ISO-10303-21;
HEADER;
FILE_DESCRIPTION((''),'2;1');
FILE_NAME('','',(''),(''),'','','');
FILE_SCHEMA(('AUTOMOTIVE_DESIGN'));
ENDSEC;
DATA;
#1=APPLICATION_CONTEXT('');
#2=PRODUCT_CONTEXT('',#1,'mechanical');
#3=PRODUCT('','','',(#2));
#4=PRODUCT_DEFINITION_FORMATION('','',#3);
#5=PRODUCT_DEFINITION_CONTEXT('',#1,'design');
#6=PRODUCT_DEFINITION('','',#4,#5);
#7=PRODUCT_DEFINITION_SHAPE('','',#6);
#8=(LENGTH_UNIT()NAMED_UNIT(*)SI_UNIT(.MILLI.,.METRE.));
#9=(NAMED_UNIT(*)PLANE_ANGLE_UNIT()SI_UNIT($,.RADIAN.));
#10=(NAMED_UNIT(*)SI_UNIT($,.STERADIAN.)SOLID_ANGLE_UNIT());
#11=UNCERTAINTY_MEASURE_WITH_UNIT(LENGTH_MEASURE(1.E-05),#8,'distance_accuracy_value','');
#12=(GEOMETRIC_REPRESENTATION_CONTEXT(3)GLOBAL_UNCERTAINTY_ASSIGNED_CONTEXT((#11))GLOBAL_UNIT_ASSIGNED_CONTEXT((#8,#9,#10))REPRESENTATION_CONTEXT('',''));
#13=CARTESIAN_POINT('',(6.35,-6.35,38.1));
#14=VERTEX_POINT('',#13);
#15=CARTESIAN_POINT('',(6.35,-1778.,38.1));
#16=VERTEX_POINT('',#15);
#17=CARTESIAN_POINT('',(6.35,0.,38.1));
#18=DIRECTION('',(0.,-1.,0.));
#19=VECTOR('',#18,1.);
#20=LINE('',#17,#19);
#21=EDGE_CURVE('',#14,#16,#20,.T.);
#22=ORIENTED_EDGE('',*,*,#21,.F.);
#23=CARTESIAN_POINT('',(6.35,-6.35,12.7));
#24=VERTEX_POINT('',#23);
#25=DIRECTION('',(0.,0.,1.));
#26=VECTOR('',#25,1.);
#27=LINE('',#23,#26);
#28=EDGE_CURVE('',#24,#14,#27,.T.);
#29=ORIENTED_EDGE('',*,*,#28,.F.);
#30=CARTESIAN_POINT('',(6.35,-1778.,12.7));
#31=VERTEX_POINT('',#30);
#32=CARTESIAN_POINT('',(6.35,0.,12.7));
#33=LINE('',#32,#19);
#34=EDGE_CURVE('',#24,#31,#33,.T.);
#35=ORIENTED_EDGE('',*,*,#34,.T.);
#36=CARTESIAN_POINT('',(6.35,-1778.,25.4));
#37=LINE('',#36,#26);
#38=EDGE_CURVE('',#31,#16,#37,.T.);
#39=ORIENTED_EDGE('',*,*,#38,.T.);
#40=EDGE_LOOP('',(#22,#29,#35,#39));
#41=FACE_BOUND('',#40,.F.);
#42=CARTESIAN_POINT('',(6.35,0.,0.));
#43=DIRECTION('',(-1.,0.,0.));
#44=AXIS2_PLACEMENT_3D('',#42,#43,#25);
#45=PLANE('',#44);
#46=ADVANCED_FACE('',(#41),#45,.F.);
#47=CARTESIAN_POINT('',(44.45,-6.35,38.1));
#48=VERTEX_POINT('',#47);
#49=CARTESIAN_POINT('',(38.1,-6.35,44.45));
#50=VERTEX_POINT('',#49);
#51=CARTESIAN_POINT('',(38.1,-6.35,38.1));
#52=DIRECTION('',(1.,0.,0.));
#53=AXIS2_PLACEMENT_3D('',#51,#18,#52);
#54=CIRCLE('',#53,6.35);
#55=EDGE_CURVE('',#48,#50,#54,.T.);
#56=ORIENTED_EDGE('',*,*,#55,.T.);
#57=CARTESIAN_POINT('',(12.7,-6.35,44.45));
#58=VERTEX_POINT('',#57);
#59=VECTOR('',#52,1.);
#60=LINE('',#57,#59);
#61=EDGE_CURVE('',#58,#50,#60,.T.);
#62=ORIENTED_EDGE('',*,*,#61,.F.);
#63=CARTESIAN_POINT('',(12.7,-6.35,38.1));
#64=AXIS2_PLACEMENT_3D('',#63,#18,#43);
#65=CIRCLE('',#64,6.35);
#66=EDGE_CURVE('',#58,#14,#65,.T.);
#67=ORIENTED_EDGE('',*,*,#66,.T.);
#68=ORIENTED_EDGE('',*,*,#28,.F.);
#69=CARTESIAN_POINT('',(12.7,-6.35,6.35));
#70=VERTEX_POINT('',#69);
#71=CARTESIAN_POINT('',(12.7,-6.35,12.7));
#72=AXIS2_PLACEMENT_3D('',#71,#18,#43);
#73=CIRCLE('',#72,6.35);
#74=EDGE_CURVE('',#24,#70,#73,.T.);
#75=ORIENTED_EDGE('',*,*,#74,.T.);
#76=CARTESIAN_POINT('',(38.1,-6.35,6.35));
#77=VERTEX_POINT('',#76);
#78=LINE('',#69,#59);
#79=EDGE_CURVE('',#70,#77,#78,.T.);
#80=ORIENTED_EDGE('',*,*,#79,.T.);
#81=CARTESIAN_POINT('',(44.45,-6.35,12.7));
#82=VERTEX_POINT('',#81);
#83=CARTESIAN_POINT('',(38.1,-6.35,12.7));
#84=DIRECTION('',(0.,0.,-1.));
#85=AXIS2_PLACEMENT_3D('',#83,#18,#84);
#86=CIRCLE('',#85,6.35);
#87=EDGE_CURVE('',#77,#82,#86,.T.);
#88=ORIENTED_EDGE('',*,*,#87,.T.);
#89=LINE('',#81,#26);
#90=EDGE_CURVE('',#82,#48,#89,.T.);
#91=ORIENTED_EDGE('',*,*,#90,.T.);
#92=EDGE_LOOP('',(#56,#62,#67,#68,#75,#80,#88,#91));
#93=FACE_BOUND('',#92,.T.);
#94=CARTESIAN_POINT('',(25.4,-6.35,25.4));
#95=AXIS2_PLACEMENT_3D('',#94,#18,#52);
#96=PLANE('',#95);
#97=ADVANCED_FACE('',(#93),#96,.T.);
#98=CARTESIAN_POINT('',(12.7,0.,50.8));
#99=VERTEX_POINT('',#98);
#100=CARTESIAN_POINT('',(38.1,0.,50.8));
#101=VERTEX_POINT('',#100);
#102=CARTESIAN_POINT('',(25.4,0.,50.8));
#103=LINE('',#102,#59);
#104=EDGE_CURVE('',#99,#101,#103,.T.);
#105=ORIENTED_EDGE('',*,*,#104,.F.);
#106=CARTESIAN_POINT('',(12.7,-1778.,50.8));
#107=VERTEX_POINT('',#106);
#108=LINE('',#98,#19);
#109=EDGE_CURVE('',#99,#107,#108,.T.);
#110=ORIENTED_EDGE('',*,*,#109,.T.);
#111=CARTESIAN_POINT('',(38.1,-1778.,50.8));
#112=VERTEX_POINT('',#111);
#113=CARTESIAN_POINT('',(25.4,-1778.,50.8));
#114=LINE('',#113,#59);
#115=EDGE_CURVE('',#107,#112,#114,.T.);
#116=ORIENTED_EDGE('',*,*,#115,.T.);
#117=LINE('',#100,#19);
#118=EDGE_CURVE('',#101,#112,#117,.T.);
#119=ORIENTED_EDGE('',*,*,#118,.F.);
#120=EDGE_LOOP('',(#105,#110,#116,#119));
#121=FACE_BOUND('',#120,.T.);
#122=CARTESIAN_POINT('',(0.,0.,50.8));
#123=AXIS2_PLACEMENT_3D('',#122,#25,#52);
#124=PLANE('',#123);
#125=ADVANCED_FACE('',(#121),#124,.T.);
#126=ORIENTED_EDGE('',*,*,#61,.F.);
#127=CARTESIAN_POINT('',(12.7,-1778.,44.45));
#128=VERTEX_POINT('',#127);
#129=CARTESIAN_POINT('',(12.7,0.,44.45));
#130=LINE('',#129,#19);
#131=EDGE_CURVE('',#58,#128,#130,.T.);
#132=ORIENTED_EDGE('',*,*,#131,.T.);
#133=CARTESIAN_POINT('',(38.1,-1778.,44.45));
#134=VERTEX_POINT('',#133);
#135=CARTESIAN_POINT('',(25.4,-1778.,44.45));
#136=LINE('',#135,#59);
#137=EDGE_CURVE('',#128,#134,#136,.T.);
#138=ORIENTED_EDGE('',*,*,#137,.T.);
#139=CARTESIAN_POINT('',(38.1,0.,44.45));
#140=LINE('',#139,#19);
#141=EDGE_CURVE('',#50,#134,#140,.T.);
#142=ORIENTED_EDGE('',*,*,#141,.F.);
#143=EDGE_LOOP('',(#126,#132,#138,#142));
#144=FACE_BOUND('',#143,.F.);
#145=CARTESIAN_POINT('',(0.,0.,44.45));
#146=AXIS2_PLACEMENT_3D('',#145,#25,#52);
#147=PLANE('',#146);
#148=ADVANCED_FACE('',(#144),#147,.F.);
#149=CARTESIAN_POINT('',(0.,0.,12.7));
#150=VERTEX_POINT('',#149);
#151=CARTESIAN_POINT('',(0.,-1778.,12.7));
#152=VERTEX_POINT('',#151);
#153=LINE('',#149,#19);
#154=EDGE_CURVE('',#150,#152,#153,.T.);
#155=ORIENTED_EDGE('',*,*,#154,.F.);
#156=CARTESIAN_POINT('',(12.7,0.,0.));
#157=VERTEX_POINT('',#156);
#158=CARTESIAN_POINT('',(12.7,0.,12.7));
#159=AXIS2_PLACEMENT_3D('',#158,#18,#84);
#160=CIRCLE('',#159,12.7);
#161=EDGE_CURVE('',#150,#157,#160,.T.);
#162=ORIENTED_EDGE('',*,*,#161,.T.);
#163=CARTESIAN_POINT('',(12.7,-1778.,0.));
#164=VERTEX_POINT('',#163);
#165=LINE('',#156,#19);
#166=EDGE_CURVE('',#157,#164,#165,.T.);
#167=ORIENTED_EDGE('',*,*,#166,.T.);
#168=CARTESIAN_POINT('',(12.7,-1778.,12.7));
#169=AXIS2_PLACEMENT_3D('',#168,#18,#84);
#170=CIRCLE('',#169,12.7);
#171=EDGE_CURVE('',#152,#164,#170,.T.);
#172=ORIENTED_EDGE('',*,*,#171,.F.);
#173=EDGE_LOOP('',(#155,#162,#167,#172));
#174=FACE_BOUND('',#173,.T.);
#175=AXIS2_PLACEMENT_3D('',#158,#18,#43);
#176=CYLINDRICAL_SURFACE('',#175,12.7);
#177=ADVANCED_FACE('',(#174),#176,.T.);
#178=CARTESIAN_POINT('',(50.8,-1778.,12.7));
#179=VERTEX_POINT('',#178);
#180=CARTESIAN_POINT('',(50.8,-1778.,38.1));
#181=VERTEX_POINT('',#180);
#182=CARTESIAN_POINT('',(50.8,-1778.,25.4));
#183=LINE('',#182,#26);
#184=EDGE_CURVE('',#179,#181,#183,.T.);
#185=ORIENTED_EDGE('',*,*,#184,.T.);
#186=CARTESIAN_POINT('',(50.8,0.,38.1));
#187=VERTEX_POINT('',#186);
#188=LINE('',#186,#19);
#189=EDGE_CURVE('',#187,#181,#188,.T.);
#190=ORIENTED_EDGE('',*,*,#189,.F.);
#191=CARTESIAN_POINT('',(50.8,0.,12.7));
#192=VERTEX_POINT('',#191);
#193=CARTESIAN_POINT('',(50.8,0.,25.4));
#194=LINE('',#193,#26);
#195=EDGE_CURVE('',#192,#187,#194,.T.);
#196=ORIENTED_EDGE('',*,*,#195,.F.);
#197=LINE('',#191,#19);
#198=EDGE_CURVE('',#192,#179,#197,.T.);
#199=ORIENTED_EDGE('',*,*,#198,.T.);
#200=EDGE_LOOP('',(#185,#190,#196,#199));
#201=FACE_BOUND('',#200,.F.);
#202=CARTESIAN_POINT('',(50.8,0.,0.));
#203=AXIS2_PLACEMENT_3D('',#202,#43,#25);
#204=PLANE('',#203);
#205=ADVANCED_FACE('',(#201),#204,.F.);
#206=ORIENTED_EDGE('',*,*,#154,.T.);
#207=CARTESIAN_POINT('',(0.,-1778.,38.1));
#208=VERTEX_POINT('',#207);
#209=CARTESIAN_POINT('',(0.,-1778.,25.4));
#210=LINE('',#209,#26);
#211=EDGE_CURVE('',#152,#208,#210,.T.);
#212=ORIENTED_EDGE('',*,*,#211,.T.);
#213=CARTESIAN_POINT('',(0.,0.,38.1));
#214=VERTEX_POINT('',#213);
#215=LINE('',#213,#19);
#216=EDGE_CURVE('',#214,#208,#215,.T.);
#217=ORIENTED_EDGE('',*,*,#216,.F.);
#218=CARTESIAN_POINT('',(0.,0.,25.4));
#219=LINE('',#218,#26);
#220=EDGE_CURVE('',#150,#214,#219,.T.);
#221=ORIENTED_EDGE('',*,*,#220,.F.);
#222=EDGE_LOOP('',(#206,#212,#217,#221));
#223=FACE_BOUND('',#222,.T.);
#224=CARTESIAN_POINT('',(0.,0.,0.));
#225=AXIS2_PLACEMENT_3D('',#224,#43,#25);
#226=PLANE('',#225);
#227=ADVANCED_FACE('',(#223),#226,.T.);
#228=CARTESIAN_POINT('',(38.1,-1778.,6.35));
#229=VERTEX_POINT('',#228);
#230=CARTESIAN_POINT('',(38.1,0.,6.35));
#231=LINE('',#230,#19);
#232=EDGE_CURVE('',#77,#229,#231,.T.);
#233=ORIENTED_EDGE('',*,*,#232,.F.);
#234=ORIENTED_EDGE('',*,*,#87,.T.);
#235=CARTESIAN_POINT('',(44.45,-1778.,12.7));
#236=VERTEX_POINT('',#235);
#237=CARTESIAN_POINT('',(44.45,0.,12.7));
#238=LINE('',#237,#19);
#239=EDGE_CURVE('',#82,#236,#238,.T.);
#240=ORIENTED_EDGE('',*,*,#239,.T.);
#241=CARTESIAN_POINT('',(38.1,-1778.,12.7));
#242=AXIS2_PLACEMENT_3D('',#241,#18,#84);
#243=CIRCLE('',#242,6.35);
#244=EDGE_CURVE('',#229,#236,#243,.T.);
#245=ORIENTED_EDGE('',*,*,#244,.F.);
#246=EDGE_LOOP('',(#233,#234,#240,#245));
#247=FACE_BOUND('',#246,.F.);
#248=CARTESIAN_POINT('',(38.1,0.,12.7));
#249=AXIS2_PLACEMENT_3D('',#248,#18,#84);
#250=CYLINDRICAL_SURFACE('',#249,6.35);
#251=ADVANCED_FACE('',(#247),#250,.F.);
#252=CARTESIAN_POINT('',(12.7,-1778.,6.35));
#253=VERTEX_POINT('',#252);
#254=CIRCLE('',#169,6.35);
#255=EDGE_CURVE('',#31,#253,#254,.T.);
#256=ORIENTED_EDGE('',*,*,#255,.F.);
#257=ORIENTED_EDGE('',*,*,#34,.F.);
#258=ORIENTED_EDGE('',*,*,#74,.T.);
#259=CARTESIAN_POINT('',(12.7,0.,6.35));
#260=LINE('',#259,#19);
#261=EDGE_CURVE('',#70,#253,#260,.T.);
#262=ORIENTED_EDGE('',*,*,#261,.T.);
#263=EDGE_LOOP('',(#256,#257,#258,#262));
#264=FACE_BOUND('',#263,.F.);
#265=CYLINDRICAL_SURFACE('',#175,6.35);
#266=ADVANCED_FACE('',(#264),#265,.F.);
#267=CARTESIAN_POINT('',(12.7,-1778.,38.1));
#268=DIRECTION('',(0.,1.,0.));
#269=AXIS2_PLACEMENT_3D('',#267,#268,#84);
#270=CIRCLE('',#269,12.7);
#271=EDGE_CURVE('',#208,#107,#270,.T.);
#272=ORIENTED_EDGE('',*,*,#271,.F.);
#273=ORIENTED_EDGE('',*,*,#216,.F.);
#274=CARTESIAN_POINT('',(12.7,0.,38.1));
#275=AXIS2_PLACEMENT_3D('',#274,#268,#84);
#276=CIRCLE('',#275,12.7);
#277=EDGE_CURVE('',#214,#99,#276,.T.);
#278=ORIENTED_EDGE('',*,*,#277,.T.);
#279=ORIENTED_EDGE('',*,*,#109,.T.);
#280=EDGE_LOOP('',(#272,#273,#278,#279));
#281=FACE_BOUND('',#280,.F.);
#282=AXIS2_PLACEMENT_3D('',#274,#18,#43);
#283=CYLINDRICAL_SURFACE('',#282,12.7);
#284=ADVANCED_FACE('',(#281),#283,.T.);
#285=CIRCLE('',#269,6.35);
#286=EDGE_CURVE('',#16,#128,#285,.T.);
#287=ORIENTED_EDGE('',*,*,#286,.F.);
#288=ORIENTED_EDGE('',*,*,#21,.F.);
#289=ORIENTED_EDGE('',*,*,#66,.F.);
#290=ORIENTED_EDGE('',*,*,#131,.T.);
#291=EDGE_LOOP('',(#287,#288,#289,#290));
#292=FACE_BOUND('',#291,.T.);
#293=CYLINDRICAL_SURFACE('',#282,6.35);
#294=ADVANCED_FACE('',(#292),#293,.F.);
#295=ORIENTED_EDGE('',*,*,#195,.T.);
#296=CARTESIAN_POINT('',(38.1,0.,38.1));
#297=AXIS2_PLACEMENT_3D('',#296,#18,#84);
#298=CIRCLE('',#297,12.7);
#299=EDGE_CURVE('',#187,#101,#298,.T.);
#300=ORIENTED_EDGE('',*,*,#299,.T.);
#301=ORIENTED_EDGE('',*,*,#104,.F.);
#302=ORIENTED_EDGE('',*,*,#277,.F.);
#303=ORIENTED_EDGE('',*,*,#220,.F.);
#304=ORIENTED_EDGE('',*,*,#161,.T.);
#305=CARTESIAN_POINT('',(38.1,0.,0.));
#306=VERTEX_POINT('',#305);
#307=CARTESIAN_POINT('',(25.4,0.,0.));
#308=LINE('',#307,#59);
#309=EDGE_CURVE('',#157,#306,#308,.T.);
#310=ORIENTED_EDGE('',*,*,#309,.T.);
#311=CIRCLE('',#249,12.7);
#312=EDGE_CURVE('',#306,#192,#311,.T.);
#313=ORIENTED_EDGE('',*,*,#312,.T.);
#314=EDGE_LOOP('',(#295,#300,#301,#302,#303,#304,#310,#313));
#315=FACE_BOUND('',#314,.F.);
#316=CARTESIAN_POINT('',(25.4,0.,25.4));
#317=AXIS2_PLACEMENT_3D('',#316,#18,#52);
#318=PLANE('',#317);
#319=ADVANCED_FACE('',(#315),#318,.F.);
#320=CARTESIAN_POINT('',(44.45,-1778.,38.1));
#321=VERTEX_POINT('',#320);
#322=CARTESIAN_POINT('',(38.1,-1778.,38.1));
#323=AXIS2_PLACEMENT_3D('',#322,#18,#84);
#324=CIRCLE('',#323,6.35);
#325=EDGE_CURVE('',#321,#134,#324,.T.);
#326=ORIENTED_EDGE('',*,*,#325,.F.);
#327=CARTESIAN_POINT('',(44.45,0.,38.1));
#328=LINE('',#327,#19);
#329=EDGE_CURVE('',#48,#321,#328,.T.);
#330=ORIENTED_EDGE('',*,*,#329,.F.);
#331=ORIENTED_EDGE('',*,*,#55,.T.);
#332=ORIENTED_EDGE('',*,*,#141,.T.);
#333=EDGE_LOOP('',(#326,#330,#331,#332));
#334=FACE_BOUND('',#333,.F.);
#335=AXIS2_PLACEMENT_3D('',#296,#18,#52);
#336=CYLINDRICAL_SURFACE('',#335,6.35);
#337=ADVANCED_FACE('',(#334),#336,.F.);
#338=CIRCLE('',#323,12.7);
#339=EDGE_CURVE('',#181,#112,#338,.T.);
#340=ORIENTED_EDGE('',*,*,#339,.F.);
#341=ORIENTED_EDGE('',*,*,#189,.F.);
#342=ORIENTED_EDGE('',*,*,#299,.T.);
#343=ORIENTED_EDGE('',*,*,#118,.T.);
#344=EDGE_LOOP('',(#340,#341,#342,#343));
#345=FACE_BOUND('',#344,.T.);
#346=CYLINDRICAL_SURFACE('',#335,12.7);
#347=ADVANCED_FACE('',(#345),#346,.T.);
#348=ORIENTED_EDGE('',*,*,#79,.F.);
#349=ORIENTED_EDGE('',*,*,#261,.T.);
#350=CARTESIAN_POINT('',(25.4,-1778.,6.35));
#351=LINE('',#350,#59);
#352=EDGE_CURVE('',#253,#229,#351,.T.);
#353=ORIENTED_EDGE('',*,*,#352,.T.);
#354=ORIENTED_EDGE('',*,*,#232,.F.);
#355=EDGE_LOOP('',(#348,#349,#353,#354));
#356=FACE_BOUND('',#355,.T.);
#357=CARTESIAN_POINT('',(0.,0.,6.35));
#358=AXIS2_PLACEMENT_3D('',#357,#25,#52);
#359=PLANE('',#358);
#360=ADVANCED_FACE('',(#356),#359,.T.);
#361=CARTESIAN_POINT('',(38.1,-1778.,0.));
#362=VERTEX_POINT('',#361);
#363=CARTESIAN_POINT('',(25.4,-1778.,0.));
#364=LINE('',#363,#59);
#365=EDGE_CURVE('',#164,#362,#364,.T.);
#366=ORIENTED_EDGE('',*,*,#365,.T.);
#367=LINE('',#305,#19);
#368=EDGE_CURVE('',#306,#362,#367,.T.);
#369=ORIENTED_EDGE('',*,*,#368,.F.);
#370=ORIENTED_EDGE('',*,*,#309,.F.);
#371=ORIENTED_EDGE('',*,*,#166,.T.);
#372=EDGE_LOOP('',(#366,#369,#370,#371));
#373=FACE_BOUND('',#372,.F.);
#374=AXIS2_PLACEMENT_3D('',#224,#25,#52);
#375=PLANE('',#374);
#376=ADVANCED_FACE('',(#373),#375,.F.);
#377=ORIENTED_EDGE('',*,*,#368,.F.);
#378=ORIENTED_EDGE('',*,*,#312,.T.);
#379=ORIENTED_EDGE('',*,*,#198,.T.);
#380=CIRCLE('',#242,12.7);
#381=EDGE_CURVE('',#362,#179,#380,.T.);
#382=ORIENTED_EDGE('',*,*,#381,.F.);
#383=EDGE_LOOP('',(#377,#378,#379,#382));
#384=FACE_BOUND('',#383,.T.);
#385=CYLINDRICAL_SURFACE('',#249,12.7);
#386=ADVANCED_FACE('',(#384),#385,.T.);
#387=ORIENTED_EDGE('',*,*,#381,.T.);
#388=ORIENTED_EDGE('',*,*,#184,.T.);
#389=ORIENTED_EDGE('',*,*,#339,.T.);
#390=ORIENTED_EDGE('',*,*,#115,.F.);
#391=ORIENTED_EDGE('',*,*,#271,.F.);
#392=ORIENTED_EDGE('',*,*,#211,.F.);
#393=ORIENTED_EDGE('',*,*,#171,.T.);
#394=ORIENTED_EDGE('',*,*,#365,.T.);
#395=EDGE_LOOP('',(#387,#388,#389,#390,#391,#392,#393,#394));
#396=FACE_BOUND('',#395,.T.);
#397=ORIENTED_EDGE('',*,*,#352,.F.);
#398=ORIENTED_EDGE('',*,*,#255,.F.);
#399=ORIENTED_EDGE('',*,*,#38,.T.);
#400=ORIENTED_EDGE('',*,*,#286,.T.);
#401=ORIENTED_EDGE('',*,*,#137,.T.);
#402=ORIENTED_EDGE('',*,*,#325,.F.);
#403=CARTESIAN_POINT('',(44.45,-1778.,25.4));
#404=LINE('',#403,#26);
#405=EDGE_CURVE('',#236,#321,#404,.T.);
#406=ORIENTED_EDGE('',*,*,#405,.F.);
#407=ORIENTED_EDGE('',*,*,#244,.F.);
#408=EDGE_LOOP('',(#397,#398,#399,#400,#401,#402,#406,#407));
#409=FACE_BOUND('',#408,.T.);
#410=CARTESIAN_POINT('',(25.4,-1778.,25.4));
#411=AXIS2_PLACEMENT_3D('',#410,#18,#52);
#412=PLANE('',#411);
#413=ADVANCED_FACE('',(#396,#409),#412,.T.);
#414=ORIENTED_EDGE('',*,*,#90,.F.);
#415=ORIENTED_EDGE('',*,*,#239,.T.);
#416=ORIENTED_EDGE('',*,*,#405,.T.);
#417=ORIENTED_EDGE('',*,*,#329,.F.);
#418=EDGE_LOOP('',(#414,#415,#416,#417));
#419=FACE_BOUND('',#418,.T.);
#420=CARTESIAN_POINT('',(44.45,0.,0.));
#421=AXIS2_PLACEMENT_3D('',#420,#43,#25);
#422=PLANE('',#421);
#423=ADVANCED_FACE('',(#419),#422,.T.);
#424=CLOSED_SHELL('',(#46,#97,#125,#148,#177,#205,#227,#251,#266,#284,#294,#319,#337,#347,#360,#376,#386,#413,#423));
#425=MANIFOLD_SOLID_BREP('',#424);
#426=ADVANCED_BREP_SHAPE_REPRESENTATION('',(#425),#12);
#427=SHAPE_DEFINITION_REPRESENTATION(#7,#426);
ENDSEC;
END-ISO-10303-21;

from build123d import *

# Parameters (mm, degrees)
F1_W     = 50.8
F1_H     = 50.8
F2_DEPTH = 1778
F3_R     = 12.7
F4_T     = -6.35


with BuildPart() as f2:
    # F1 (on face) → F2 (new body)
    with BuildSketch(Plane.XZ):
        with Locations((25.4, 25.4)):
            Rectangle(F1_W, F1_H)
    extrude(amount=F2_DEPTH)

    # F3
    f3_edges = [f2.edges().sort_by_distance(p)[0] for p in [
        (0, -889, 50.8),
        (0, -889, 0),
        (50.8, -889, 50.8),
        (50.8, -889, 0),
    ]]
    fillet(f3_edges, radius=F3_R)

    # F4
    f4_openings = [f2.faces().sort_by_distance(p)[0] for p in [
        (25.4, -1778, 25.4),
    ]]
    offset(amount=F4_T, openings=f4_openings)


solid = f2.part
